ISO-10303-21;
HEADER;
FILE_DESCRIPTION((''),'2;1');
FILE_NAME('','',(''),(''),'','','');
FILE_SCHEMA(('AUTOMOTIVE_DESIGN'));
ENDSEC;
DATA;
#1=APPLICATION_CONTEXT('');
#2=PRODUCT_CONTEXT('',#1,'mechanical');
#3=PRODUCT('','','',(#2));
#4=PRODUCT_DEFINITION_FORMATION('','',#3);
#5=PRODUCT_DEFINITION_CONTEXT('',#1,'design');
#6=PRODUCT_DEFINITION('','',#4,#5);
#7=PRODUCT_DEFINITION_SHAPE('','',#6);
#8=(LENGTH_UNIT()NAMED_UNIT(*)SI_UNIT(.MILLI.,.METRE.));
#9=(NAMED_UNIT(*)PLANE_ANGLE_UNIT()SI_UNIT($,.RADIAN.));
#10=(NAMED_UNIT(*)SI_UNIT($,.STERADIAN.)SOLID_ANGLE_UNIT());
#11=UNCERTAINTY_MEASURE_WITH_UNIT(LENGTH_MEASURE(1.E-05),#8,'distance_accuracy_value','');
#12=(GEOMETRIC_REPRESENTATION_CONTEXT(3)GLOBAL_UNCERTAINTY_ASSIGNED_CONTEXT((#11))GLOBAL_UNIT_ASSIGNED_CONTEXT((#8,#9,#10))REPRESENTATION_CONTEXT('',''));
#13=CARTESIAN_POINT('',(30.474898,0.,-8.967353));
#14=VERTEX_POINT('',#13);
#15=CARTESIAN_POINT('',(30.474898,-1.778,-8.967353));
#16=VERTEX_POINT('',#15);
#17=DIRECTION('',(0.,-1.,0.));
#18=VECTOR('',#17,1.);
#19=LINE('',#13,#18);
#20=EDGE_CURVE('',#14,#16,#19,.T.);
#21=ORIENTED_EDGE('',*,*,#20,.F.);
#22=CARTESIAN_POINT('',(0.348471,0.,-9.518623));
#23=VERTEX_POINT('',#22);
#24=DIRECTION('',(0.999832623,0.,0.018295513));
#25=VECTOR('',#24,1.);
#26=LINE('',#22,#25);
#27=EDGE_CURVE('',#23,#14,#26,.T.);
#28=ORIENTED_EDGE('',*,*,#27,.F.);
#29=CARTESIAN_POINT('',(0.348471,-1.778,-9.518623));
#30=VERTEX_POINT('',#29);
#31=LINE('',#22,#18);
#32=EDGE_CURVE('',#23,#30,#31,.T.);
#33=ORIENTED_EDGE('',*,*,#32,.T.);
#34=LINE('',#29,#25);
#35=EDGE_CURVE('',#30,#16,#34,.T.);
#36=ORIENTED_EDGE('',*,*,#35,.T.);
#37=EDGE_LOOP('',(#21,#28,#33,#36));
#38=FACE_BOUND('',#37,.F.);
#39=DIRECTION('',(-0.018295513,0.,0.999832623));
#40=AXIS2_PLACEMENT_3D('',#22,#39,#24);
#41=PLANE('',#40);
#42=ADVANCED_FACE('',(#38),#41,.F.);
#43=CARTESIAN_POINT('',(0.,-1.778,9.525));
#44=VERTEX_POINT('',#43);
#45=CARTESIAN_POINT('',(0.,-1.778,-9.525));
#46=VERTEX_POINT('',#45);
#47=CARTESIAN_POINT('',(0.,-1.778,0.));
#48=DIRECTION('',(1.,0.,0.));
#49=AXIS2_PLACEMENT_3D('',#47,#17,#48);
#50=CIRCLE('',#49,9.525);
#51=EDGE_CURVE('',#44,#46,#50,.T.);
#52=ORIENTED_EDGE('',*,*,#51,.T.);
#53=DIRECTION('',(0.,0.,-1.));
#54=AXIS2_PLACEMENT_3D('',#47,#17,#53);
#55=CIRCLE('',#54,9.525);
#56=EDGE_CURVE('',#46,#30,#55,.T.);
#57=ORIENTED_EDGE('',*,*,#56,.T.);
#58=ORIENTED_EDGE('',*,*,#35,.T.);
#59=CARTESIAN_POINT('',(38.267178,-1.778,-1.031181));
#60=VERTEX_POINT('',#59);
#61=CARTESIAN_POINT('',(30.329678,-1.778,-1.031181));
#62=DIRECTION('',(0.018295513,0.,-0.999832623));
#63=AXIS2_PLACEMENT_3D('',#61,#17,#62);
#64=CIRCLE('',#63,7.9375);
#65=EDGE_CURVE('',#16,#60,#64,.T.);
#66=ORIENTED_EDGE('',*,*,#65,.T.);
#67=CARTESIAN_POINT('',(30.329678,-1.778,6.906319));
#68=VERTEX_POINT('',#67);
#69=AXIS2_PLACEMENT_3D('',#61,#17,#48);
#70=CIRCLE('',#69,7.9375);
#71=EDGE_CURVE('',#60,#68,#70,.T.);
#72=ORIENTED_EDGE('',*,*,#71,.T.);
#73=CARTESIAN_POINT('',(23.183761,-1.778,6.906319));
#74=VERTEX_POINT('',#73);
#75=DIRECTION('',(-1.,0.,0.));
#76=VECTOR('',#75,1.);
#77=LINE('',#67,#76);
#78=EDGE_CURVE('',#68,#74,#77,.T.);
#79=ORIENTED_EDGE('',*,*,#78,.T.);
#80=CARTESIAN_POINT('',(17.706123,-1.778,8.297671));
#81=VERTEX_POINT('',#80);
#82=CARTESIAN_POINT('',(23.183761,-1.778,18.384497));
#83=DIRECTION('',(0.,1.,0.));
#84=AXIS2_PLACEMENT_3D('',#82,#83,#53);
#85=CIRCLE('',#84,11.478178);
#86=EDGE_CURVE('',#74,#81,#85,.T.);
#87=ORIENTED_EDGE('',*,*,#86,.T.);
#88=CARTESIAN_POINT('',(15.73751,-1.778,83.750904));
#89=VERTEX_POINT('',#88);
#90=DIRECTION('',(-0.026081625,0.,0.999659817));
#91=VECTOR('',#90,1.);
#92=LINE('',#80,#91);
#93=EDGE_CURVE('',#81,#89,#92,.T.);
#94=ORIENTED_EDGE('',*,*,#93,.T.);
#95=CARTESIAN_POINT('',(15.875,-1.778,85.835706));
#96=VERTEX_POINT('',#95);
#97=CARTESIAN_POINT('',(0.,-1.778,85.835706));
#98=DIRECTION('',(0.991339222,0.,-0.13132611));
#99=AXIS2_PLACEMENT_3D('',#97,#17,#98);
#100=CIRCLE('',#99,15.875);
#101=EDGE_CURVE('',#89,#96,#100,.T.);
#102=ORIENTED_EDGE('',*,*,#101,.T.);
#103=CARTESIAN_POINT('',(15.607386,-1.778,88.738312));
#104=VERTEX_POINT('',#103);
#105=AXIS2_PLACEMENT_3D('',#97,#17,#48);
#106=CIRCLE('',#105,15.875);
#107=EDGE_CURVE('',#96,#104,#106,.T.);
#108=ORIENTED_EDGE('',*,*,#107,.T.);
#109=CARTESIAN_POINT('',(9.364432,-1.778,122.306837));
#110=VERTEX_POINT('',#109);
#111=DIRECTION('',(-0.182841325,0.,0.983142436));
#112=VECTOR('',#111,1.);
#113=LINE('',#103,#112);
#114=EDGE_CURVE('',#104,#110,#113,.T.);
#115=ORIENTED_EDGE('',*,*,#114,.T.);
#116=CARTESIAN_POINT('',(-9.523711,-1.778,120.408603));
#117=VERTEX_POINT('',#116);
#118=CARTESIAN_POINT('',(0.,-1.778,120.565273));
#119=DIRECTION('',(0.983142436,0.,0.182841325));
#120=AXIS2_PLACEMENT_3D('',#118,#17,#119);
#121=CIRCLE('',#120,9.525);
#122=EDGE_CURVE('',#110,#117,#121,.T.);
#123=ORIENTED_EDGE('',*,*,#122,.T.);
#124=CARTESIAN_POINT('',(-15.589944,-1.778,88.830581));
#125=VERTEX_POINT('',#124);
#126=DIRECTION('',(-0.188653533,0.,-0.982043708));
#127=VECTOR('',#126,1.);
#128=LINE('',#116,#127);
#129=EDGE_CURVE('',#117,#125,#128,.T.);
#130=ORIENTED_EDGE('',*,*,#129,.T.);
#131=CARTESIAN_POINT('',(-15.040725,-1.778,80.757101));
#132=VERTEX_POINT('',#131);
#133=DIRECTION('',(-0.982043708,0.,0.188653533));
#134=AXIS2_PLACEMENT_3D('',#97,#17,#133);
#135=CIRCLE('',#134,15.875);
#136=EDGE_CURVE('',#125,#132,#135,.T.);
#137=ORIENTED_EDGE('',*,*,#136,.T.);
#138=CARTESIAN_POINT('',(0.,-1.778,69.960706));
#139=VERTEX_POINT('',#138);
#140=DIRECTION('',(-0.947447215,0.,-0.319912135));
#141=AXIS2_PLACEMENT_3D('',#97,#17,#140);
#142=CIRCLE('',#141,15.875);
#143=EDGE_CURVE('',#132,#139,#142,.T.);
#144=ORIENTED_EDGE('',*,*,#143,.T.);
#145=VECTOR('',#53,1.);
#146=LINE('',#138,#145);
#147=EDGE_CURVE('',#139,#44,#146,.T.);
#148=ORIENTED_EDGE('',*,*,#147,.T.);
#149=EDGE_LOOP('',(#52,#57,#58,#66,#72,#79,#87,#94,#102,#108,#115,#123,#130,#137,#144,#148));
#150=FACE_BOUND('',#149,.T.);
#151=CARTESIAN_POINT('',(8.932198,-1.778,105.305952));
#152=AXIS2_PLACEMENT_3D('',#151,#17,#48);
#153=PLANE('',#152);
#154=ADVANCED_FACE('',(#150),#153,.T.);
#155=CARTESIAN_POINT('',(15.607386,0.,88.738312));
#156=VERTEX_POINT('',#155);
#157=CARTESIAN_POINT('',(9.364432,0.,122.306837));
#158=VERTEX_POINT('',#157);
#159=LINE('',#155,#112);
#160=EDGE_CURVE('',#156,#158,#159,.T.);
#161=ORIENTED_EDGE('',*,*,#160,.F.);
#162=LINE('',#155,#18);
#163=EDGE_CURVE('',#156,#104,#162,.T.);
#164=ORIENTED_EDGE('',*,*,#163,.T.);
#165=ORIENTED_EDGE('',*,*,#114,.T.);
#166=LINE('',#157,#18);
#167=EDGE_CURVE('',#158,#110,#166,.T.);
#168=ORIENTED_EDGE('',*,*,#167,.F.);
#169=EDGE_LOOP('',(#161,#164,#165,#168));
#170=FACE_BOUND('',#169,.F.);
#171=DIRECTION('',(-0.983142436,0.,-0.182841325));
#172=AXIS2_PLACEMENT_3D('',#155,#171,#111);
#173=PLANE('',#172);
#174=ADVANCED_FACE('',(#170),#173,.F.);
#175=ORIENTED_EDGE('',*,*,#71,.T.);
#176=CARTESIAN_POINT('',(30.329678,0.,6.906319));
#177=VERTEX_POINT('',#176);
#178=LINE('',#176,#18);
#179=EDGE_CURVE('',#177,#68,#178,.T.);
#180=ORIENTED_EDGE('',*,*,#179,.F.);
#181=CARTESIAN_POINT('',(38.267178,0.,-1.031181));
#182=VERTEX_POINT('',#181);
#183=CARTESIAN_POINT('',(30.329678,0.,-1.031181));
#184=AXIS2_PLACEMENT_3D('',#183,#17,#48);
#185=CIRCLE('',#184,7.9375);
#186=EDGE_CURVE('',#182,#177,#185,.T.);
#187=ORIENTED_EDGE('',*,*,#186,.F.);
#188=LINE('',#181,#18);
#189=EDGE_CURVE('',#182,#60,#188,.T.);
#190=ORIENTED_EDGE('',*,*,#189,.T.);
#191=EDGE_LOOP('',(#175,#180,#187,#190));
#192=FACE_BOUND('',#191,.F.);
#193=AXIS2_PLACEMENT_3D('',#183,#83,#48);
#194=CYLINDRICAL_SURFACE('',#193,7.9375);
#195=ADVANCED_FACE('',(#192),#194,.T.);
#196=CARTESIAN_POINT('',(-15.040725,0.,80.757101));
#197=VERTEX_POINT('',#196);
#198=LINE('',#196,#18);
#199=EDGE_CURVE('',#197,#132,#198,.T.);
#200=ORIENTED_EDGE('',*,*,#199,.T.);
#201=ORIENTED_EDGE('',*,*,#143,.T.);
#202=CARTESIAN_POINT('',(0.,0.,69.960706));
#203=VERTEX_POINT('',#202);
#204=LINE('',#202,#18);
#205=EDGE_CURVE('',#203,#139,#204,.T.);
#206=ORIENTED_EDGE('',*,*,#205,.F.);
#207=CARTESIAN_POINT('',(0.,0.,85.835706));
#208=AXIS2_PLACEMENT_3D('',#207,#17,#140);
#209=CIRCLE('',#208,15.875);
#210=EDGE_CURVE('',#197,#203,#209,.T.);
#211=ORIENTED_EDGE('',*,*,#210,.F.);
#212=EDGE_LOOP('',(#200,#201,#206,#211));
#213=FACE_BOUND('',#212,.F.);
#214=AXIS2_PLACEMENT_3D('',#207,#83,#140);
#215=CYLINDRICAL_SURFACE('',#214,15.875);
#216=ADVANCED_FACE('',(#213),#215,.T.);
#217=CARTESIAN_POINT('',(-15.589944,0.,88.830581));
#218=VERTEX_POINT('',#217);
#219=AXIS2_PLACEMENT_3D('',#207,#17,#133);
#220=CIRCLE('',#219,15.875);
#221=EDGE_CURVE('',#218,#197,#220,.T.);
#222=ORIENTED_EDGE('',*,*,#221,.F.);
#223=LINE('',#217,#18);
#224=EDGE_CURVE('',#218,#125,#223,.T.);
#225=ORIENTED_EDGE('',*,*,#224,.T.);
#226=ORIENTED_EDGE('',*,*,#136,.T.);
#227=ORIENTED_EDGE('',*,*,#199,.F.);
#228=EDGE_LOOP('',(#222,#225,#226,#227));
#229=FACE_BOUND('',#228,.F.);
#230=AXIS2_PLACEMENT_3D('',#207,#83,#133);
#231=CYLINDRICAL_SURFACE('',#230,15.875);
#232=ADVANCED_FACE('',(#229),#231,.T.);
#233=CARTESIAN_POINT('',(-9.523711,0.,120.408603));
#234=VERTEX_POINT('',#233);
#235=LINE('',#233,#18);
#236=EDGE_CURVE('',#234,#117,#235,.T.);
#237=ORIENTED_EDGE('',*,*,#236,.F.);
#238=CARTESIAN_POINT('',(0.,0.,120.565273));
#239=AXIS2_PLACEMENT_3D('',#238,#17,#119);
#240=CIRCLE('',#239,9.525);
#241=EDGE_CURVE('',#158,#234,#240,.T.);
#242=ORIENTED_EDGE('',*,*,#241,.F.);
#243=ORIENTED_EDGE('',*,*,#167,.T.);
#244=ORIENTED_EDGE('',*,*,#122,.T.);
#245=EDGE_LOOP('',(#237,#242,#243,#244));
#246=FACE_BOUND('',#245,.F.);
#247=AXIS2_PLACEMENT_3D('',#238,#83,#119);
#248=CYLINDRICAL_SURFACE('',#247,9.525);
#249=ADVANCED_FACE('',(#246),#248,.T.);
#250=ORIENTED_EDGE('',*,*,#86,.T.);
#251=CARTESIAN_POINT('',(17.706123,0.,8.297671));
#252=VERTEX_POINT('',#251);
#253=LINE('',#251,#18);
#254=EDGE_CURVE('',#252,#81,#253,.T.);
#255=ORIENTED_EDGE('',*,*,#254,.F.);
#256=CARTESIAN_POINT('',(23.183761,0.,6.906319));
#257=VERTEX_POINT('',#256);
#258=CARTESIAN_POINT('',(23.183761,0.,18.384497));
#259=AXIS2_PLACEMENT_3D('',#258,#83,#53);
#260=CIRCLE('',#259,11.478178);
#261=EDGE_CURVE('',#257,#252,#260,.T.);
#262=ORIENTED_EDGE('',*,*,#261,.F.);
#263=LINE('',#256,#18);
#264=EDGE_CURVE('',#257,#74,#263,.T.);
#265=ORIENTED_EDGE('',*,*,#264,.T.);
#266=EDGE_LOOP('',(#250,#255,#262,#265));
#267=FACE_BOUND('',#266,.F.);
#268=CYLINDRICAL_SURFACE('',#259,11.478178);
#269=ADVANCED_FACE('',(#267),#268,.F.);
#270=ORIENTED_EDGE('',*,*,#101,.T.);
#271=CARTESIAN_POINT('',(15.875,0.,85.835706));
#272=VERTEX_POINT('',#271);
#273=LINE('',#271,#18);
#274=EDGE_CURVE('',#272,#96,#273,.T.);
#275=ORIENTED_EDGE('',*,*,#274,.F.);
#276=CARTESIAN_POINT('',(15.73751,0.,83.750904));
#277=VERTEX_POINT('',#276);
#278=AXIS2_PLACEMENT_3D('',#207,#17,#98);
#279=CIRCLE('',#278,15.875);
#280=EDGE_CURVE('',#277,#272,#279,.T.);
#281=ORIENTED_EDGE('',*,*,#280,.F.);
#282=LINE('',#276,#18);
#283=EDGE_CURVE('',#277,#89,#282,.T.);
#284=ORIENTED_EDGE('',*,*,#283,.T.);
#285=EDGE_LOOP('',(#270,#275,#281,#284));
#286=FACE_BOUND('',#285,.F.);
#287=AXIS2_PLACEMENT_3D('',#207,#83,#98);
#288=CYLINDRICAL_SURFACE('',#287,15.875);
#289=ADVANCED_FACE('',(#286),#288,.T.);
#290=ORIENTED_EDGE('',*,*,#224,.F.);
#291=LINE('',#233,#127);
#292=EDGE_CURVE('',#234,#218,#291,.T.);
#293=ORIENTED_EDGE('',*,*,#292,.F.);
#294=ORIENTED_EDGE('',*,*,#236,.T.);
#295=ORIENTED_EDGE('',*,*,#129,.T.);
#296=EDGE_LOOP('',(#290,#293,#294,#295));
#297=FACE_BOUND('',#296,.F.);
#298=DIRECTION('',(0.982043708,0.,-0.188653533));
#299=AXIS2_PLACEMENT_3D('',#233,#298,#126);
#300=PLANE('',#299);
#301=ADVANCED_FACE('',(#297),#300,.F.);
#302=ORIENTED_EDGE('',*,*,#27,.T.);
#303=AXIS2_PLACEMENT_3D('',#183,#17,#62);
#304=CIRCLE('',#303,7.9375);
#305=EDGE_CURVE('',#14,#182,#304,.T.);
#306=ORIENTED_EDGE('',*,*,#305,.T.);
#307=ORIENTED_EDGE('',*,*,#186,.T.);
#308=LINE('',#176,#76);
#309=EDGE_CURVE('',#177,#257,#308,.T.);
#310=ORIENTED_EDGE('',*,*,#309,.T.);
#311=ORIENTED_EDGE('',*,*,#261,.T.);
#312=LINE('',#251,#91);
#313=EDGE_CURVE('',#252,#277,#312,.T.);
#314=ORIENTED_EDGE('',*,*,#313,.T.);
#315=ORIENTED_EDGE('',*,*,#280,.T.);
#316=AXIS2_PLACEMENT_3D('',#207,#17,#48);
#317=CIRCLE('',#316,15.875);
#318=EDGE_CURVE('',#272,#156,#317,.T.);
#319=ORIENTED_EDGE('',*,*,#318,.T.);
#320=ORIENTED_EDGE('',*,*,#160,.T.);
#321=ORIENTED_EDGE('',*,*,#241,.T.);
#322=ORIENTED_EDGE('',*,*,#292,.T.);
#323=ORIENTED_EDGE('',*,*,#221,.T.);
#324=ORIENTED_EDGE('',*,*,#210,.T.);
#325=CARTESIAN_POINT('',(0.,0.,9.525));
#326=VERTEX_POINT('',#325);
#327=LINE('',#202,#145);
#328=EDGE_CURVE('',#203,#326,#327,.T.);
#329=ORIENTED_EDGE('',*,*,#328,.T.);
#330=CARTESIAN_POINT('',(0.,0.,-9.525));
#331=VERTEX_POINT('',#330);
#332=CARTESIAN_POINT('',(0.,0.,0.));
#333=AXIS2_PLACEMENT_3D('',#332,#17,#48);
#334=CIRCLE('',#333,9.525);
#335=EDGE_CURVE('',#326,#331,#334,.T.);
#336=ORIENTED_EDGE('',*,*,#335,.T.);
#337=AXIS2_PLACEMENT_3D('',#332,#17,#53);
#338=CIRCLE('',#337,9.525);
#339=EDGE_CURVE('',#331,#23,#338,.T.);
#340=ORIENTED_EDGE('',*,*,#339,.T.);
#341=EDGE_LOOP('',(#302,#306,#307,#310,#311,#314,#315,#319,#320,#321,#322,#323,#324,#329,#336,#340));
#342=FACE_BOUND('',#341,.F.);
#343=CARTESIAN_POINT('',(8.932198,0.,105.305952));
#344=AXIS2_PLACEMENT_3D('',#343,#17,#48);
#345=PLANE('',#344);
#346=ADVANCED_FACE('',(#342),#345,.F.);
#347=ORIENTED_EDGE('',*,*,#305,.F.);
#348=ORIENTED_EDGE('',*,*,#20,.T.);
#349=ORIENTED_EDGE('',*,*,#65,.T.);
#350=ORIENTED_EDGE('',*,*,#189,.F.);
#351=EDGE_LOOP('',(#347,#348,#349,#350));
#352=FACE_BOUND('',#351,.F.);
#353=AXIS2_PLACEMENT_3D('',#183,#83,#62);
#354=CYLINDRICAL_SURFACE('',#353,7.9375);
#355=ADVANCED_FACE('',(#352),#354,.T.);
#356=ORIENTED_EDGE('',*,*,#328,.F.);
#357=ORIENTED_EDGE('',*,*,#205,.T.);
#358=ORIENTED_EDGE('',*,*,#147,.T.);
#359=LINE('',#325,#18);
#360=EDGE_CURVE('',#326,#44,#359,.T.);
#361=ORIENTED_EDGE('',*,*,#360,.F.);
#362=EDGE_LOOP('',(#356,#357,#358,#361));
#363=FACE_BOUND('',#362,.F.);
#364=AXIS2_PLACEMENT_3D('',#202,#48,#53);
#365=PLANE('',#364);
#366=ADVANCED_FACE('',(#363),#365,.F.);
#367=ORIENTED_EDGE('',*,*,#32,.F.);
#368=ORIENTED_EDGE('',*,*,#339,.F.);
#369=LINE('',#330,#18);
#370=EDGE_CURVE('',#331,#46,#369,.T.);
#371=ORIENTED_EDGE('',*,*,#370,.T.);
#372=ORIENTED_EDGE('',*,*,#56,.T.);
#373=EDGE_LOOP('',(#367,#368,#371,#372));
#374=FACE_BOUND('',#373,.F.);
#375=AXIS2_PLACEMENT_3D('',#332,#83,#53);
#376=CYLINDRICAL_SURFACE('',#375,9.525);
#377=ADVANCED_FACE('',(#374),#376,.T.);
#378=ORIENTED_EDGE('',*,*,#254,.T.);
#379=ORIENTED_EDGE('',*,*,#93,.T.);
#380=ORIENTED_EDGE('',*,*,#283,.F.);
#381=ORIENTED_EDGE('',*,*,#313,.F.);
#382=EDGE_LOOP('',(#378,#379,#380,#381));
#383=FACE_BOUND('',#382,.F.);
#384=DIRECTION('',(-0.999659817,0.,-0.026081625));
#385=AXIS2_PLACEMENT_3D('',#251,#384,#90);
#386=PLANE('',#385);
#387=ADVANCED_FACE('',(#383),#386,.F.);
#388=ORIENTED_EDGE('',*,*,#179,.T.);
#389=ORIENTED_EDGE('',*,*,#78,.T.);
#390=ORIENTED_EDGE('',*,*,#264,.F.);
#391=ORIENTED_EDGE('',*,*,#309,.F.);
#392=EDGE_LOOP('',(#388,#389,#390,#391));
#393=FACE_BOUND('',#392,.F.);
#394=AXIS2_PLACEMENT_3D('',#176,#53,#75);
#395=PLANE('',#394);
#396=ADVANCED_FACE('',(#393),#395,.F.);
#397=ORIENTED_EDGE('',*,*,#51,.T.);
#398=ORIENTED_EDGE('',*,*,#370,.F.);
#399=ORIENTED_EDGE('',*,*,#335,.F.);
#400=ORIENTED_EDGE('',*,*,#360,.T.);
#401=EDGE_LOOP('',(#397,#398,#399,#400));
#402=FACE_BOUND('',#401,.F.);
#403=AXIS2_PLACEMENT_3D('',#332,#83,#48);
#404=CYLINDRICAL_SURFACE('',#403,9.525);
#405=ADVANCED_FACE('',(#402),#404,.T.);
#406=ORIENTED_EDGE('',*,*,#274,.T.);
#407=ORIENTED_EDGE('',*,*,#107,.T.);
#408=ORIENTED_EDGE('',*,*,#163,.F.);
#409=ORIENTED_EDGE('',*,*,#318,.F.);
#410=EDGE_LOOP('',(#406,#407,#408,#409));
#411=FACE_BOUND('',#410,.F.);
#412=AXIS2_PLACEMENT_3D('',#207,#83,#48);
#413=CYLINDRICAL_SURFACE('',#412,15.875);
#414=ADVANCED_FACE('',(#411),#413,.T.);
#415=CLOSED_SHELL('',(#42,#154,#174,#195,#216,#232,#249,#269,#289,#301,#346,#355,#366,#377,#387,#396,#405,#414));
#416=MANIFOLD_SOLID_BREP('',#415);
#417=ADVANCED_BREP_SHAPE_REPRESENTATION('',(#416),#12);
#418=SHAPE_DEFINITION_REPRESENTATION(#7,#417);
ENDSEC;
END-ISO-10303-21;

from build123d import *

# Parameters (mm, degrees)
F1_DEPTH = 1.778


with BuildPart() as f1:
    # F0 (on Front) → F1 (new body)
    with BuildSketch(Plane.XZ):
        with BuildLine():
            ThreePointArc((9.525, 120.5652729851), (6.7351920908, 113.8300808943), (0, 111.0402729851))
            Line((0, 111.0402729851), (0, 101.7107063052))
            ThreePointArc((0, 101.7107063052), (10.1473334951, 98.0441971186), (15.6073861738, 88.7383123449))
            Line((15.6073861738, 88.7383123449), (9.3644317043, 122.3068366089))
            ThreePointArc((9.3644317043, 122.3068366089), (9.4847729805, 121.4397479752), (9.525, 120.5652729851))
        make_face()
        with BuildLine():
            Line((0, 101.7107063052), (0, 111.0402729851))
            ThreePointArc((0, 111.0402729851), (-6.6795712353, 113.7749156224), (-9.5237114366, 120.4086030401))
            Line((-9.5237114366, 120.4086030401), (-15.5899438658, 88.8305811375))
            ThreePointArc((-15.5899438658, 88.8305811375), (-10.1111816085, 98.0741552054), (0, 101.7107063052))
        make_face()
        with BuildLine():
            ThreePointArc((-9.5237114366, 120.4086030401), (-6.6795712353, 113.7749156224), (0, 111.0402729851))
            ThreePointArc((0, 111.0402729851), (6.7351920908, 113.8300808943), (9.525, 120.5652729851))
            ThreePointArc((9.525, 120.5652729851), (9.4847729805, 121.4397479752), (9.3644317043, 122.3068366089))
            ThreePointArc((9.3644317043, 122.3068366089), (-0.9524521923, 130.0425331282), (-9.5237114366, 120.4086030401))
        make_face()
        with BuildLine():
            ThreePointArc((15.6073861738, 88.7383123449), (10.1473334951, 98.0441971186), (0, 101.7107063052))
            Line((0, 101.7107063052), (0, 69.9607063052))
            ThreePointArc((0, 69.9607063052), (10.4622988206, 73.8960275663), (15.7375101466, 83.7509043034))
            Line((15.7375101466, 83.7509043034), (15.6073861738, 88.7383123449))
        make_face()
        with BuildLine():
            Line((0, 69.9607063052), (0, 101.7107063052))
            ThreePointArc((0, 101.7107063052), (-10.1111816085, 98.0741552054), (-15.5899438658, 88.8305811375))
            Line((-15.5899438658, 88.8305811375), (-15.0407245456, 80.7571011678))
            ThreePointArc((-15.0407245456, 80.7571011678), (-9.2572341561, 72.9392245843), (0, 69.9607063052))
        make_face()
        with BuildLine():
            ThreePointArc((15.7375101466, 83.7509043034), (10.4622988206, 73.8960275663), (0, 69.9607063052))
            Line((0, 69.9607063052), (0, 9.525))
            ThreePointArc((0, 9.525), (6.7351920908, 6.7351920908), (9.525, 0))
            ThreePointArc((9.525, 0), (6.85728857, -6.6108409804), (0.3484711878, -9.5186234736))
            Line((0.3484711878, -9.5186234736), (30.4748983519, -8.9673527623))
            ThreePointArc((30.4748983519, -8.9673527623), (22.3925098626, -1.1037946724), (30.3296777171, 6.9063186835))
            Line((30.3296777171, 6.9063186835), (23.1837605431, 6.9063186835))
            ThreePointArc((23.1837605431, 6.9063186835), (20.3579696688, 7.2595932536), (17.7061227833, 8.2976708438))
            Line((17.7061227833, 8.2976708438), (15.7375101466, 83.7509043034))
        make_face()
        with BuildLine():
            ThreePointArc((15.875, 85.8357063052), (15.8079549675, 87.2931646221), (15.6073861738, 88.7383123449))
            Line((15.6073861738, 88.7383123449), (15.7375101466, 83.7509043034))
            ThreePointArc((15.7375101466, 83.7509043034), (15.8405902443, 84.7910409466), (15.875, 85.8357063052))
        make_face()
        with BuildLine():
            Line((-15.0407245456, 80.7571011678), (-15.5899438658, 88.8305811375))
            ThreePointArc((-15.5899438658, 88.8305811375), (-15.8383942222, 84.7582586445), (-15.0407245456, 80.7571011678))
        make_face()
        with BuildLine():
            ThreePointArc((9.525, 0), (6.7351920908, 6.7351920908), (0, 9.525))
            ThreePointArc((0, 9.525), (-9.525, 0), (0, -9.525))
            Line((0, -9.525), (0.3484711878, -9.5186234736))
            ThreePointArc((0.3484711878, -9.5186234736), (6.85728857, -6.6108409804), (9.525, 0))
        make_face()
        with BuildLine():
            Line((0.3484711878, -9.5186234736), (0, -9.525))
            ThreePointArc((0, -9.525), (0.1742647618, -9.523405735), (0.3484711878, -9.5186234736))
        make_face()
        with BuildLine():
            ThreePointArc((30.3296777171, 6.9063186835), (22.3925098626, -1.1037946724), (30.4748983519, -8.9673527623))
            ThreePointArc((30.4748983519, -8.9673527623), (35.9934483268, -6.5922611334), (38.2671777171, -1.0311813165))
            ThreePointArc((38.2671777171, -1.0311813165), (35.9423377927, 4.5814787592), (30.3296777171, 6.9063186835))
        make_face()
    extrude(amount=F1_DEPTH)


solid = f1.part
